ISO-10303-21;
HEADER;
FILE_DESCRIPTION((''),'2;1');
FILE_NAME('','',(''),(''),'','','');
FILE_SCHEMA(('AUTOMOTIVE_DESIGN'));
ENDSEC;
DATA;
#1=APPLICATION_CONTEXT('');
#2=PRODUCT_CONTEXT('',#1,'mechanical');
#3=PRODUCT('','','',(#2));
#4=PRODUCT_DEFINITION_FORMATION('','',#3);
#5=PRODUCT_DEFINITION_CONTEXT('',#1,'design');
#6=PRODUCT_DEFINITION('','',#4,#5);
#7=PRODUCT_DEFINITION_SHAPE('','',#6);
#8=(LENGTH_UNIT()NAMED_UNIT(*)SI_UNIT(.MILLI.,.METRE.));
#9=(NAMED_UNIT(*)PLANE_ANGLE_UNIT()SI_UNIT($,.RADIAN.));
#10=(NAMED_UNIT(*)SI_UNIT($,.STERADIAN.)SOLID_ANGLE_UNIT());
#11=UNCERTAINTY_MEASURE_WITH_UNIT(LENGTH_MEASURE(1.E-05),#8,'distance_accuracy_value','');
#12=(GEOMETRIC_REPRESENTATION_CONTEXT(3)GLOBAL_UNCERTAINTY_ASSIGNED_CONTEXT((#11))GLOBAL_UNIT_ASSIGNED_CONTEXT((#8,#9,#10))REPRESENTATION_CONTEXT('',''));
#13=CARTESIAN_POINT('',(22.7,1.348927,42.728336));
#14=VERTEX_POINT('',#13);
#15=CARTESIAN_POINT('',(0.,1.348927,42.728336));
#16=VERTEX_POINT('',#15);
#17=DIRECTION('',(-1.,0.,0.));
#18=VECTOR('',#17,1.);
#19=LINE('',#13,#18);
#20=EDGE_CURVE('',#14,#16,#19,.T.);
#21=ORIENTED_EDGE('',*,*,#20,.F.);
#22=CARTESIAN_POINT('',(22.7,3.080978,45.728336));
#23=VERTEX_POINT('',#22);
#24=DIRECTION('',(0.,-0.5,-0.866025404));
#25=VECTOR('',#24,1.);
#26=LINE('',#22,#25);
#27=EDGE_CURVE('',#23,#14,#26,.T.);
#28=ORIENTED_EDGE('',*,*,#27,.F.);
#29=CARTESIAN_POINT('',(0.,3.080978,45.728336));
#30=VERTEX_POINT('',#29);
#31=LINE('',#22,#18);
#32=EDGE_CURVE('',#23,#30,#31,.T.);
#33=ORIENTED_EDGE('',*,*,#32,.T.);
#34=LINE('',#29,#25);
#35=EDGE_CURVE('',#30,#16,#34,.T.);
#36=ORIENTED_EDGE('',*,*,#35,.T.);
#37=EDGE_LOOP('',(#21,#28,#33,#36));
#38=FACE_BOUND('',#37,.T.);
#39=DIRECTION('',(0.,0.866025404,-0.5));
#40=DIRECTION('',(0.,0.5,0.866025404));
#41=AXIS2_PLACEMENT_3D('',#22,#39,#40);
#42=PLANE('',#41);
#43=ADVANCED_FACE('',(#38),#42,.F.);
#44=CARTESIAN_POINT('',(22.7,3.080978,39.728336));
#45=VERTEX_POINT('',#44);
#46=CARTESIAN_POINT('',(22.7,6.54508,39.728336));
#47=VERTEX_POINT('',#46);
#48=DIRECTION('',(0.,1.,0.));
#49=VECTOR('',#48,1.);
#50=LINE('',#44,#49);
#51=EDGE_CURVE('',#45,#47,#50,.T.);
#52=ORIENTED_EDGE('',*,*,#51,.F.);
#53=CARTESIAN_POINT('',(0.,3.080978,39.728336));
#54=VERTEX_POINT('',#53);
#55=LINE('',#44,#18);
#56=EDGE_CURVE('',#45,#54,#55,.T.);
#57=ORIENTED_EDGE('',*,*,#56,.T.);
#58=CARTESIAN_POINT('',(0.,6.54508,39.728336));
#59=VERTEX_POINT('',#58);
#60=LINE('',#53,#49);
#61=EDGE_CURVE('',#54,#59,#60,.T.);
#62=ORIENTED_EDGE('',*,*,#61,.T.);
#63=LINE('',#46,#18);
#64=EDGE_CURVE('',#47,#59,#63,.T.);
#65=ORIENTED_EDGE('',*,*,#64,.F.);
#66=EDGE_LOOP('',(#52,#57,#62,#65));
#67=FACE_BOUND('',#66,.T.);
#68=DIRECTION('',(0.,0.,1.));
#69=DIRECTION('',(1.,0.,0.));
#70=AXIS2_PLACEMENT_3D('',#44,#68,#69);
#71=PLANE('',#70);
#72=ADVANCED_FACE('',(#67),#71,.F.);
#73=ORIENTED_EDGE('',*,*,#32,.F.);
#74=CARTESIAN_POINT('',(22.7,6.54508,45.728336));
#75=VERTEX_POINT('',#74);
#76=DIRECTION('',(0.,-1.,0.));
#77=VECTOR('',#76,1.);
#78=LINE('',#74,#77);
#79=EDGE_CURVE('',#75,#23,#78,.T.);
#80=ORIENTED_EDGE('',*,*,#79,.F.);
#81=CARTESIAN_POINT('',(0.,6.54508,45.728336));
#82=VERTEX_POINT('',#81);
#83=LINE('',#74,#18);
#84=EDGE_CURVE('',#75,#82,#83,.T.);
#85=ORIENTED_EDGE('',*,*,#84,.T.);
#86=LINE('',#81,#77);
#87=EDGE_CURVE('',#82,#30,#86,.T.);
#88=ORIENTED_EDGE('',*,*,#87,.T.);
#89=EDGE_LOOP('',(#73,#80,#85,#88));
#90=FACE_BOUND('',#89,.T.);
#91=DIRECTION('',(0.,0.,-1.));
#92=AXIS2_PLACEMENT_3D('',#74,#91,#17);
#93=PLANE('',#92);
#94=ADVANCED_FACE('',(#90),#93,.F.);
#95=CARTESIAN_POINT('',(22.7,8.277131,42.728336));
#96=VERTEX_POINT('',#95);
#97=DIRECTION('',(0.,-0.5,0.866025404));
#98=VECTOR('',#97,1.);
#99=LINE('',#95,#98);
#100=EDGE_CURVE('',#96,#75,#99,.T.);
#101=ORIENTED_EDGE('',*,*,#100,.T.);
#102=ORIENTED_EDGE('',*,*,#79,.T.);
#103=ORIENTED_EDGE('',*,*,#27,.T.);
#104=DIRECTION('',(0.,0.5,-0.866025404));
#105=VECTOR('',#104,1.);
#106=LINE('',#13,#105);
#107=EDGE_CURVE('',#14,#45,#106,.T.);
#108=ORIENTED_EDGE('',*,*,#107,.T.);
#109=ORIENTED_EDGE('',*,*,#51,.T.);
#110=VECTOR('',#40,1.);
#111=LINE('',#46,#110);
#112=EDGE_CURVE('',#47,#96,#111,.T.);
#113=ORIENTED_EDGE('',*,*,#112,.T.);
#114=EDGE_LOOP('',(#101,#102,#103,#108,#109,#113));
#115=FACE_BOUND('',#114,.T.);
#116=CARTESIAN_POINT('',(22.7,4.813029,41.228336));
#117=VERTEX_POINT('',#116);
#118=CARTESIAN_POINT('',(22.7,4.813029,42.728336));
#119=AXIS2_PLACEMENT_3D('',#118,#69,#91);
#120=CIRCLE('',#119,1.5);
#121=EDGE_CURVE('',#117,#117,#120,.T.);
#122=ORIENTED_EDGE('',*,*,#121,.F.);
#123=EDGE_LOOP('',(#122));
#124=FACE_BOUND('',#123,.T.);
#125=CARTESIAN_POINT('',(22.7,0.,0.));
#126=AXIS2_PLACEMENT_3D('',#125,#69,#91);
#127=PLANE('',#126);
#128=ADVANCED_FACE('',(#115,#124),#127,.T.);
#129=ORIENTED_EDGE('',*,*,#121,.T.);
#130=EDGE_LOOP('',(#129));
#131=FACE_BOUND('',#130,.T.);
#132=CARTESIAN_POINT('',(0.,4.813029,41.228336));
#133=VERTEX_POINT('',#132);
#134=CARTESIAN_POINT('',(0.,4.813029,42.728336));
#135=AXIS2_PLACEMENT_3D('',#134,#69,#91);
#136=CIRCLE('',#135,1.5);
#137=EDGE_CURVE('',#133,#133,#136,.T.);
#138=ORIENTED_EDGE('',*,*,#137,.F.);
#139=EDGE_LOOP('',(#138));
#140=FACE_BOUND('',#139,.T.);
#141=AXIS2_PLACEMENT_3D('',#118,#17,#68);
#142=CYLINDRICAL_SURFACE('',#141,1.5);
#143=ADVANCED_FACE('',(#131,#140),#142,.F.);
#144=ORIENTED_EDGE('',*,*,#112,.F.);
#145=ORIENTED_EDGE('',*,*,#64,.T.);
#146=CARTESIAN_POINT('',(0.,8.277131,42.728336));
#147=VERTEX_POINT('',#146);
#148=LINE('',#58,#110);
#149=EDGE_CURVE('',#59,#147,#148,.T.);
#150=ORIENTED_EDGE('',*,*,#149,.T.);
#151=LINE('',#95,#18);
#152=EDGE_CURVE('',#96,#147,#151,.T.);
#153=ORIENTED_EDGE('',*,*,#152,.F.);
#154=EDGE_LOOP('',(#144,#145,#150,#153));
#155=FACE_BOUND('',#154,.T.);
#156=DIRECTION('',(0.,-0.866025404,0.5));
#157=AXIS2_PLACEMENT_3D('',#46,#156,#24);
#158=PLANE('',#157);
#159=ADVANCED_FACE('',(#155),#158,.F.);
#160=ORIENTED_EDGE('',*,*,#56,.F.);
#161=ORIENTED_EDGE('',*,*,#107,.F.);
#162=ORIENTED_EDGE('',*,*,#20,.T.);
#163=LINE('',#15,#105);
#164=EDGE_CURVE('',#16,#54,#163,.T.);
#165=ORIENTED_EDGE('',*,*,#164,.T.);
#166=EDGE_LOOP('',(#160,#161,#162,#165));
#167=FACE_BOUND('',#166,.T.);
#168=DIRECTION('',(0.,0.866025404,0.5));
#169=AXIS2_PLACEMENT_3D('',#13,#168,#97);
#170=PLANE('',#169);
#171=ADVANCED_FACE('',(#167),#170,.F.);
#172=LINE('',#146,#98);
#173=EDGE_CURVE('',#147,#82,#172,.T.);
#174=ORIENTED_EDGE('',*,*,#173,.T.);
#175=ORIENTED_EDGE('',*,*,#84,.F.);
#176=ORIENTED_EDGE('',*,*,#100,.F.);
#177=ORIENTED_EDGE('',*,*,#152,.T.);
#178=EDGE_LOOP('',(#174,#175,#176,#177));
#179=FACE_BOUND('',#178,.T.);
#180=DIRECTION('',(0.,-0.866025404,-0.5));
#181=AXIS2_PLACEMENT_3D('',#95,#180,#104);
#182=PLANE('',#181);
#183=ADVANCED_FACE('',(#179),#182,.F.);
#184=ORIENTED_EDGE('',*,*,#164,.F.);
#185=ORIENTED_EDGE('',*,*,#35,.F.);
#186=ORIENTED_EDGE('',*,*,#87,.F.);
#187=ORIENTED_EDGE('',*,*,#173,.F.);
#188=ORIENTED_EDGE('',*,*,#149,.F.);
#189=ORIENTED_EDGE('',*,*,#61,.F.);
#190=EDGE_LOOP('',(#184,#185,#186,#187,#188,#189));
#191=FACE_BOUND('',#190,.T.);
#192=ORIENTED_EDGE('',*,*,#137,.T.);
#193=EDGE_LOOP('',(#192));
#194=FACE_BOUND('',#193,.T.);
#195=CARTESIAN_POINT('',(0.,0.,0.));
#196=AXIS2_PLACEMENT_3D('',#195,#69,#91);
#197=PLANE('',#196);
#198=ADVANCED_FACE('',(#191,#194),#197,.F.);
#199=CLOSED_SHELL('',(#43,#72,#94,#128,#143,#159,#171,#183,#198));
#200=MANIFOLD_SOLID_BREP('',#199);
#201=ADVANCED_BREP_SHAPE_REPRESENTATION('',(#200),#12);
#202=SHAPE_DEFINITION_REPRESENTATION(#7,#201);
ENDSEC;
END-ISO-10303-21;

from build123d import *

# Parameters (mm, degrees)
SKETCH1_R           = 1.5
BOSS_EXTRUDE1_DEPTH = 22.7


with BuildPart() as part:
    # Sketch1 → Boss-Extrude1 (new body)
    with BuildSketch(Plane(origin=(0, 0, 0), x_dir=(0, 0, -1), z_dir=(1, 0, 0))):
        Polygon((-42.728336364, 8.277130653), (-45.728336364, 6.545079846), (-45.728336364, 3.08097823), (-42.728336364, 1.348927423), (-39.728336364, 3.08097823), (-39.728336364, 6.545079846), align=None)
        with Locations((-42.728336364, 4.813029038)):
            Circle(SKETCH1_R, mode=Mode.SUBTRACT)
    extrude(amount=BOSS_EXTRUDE1_DEPTH)


solid = part.part
